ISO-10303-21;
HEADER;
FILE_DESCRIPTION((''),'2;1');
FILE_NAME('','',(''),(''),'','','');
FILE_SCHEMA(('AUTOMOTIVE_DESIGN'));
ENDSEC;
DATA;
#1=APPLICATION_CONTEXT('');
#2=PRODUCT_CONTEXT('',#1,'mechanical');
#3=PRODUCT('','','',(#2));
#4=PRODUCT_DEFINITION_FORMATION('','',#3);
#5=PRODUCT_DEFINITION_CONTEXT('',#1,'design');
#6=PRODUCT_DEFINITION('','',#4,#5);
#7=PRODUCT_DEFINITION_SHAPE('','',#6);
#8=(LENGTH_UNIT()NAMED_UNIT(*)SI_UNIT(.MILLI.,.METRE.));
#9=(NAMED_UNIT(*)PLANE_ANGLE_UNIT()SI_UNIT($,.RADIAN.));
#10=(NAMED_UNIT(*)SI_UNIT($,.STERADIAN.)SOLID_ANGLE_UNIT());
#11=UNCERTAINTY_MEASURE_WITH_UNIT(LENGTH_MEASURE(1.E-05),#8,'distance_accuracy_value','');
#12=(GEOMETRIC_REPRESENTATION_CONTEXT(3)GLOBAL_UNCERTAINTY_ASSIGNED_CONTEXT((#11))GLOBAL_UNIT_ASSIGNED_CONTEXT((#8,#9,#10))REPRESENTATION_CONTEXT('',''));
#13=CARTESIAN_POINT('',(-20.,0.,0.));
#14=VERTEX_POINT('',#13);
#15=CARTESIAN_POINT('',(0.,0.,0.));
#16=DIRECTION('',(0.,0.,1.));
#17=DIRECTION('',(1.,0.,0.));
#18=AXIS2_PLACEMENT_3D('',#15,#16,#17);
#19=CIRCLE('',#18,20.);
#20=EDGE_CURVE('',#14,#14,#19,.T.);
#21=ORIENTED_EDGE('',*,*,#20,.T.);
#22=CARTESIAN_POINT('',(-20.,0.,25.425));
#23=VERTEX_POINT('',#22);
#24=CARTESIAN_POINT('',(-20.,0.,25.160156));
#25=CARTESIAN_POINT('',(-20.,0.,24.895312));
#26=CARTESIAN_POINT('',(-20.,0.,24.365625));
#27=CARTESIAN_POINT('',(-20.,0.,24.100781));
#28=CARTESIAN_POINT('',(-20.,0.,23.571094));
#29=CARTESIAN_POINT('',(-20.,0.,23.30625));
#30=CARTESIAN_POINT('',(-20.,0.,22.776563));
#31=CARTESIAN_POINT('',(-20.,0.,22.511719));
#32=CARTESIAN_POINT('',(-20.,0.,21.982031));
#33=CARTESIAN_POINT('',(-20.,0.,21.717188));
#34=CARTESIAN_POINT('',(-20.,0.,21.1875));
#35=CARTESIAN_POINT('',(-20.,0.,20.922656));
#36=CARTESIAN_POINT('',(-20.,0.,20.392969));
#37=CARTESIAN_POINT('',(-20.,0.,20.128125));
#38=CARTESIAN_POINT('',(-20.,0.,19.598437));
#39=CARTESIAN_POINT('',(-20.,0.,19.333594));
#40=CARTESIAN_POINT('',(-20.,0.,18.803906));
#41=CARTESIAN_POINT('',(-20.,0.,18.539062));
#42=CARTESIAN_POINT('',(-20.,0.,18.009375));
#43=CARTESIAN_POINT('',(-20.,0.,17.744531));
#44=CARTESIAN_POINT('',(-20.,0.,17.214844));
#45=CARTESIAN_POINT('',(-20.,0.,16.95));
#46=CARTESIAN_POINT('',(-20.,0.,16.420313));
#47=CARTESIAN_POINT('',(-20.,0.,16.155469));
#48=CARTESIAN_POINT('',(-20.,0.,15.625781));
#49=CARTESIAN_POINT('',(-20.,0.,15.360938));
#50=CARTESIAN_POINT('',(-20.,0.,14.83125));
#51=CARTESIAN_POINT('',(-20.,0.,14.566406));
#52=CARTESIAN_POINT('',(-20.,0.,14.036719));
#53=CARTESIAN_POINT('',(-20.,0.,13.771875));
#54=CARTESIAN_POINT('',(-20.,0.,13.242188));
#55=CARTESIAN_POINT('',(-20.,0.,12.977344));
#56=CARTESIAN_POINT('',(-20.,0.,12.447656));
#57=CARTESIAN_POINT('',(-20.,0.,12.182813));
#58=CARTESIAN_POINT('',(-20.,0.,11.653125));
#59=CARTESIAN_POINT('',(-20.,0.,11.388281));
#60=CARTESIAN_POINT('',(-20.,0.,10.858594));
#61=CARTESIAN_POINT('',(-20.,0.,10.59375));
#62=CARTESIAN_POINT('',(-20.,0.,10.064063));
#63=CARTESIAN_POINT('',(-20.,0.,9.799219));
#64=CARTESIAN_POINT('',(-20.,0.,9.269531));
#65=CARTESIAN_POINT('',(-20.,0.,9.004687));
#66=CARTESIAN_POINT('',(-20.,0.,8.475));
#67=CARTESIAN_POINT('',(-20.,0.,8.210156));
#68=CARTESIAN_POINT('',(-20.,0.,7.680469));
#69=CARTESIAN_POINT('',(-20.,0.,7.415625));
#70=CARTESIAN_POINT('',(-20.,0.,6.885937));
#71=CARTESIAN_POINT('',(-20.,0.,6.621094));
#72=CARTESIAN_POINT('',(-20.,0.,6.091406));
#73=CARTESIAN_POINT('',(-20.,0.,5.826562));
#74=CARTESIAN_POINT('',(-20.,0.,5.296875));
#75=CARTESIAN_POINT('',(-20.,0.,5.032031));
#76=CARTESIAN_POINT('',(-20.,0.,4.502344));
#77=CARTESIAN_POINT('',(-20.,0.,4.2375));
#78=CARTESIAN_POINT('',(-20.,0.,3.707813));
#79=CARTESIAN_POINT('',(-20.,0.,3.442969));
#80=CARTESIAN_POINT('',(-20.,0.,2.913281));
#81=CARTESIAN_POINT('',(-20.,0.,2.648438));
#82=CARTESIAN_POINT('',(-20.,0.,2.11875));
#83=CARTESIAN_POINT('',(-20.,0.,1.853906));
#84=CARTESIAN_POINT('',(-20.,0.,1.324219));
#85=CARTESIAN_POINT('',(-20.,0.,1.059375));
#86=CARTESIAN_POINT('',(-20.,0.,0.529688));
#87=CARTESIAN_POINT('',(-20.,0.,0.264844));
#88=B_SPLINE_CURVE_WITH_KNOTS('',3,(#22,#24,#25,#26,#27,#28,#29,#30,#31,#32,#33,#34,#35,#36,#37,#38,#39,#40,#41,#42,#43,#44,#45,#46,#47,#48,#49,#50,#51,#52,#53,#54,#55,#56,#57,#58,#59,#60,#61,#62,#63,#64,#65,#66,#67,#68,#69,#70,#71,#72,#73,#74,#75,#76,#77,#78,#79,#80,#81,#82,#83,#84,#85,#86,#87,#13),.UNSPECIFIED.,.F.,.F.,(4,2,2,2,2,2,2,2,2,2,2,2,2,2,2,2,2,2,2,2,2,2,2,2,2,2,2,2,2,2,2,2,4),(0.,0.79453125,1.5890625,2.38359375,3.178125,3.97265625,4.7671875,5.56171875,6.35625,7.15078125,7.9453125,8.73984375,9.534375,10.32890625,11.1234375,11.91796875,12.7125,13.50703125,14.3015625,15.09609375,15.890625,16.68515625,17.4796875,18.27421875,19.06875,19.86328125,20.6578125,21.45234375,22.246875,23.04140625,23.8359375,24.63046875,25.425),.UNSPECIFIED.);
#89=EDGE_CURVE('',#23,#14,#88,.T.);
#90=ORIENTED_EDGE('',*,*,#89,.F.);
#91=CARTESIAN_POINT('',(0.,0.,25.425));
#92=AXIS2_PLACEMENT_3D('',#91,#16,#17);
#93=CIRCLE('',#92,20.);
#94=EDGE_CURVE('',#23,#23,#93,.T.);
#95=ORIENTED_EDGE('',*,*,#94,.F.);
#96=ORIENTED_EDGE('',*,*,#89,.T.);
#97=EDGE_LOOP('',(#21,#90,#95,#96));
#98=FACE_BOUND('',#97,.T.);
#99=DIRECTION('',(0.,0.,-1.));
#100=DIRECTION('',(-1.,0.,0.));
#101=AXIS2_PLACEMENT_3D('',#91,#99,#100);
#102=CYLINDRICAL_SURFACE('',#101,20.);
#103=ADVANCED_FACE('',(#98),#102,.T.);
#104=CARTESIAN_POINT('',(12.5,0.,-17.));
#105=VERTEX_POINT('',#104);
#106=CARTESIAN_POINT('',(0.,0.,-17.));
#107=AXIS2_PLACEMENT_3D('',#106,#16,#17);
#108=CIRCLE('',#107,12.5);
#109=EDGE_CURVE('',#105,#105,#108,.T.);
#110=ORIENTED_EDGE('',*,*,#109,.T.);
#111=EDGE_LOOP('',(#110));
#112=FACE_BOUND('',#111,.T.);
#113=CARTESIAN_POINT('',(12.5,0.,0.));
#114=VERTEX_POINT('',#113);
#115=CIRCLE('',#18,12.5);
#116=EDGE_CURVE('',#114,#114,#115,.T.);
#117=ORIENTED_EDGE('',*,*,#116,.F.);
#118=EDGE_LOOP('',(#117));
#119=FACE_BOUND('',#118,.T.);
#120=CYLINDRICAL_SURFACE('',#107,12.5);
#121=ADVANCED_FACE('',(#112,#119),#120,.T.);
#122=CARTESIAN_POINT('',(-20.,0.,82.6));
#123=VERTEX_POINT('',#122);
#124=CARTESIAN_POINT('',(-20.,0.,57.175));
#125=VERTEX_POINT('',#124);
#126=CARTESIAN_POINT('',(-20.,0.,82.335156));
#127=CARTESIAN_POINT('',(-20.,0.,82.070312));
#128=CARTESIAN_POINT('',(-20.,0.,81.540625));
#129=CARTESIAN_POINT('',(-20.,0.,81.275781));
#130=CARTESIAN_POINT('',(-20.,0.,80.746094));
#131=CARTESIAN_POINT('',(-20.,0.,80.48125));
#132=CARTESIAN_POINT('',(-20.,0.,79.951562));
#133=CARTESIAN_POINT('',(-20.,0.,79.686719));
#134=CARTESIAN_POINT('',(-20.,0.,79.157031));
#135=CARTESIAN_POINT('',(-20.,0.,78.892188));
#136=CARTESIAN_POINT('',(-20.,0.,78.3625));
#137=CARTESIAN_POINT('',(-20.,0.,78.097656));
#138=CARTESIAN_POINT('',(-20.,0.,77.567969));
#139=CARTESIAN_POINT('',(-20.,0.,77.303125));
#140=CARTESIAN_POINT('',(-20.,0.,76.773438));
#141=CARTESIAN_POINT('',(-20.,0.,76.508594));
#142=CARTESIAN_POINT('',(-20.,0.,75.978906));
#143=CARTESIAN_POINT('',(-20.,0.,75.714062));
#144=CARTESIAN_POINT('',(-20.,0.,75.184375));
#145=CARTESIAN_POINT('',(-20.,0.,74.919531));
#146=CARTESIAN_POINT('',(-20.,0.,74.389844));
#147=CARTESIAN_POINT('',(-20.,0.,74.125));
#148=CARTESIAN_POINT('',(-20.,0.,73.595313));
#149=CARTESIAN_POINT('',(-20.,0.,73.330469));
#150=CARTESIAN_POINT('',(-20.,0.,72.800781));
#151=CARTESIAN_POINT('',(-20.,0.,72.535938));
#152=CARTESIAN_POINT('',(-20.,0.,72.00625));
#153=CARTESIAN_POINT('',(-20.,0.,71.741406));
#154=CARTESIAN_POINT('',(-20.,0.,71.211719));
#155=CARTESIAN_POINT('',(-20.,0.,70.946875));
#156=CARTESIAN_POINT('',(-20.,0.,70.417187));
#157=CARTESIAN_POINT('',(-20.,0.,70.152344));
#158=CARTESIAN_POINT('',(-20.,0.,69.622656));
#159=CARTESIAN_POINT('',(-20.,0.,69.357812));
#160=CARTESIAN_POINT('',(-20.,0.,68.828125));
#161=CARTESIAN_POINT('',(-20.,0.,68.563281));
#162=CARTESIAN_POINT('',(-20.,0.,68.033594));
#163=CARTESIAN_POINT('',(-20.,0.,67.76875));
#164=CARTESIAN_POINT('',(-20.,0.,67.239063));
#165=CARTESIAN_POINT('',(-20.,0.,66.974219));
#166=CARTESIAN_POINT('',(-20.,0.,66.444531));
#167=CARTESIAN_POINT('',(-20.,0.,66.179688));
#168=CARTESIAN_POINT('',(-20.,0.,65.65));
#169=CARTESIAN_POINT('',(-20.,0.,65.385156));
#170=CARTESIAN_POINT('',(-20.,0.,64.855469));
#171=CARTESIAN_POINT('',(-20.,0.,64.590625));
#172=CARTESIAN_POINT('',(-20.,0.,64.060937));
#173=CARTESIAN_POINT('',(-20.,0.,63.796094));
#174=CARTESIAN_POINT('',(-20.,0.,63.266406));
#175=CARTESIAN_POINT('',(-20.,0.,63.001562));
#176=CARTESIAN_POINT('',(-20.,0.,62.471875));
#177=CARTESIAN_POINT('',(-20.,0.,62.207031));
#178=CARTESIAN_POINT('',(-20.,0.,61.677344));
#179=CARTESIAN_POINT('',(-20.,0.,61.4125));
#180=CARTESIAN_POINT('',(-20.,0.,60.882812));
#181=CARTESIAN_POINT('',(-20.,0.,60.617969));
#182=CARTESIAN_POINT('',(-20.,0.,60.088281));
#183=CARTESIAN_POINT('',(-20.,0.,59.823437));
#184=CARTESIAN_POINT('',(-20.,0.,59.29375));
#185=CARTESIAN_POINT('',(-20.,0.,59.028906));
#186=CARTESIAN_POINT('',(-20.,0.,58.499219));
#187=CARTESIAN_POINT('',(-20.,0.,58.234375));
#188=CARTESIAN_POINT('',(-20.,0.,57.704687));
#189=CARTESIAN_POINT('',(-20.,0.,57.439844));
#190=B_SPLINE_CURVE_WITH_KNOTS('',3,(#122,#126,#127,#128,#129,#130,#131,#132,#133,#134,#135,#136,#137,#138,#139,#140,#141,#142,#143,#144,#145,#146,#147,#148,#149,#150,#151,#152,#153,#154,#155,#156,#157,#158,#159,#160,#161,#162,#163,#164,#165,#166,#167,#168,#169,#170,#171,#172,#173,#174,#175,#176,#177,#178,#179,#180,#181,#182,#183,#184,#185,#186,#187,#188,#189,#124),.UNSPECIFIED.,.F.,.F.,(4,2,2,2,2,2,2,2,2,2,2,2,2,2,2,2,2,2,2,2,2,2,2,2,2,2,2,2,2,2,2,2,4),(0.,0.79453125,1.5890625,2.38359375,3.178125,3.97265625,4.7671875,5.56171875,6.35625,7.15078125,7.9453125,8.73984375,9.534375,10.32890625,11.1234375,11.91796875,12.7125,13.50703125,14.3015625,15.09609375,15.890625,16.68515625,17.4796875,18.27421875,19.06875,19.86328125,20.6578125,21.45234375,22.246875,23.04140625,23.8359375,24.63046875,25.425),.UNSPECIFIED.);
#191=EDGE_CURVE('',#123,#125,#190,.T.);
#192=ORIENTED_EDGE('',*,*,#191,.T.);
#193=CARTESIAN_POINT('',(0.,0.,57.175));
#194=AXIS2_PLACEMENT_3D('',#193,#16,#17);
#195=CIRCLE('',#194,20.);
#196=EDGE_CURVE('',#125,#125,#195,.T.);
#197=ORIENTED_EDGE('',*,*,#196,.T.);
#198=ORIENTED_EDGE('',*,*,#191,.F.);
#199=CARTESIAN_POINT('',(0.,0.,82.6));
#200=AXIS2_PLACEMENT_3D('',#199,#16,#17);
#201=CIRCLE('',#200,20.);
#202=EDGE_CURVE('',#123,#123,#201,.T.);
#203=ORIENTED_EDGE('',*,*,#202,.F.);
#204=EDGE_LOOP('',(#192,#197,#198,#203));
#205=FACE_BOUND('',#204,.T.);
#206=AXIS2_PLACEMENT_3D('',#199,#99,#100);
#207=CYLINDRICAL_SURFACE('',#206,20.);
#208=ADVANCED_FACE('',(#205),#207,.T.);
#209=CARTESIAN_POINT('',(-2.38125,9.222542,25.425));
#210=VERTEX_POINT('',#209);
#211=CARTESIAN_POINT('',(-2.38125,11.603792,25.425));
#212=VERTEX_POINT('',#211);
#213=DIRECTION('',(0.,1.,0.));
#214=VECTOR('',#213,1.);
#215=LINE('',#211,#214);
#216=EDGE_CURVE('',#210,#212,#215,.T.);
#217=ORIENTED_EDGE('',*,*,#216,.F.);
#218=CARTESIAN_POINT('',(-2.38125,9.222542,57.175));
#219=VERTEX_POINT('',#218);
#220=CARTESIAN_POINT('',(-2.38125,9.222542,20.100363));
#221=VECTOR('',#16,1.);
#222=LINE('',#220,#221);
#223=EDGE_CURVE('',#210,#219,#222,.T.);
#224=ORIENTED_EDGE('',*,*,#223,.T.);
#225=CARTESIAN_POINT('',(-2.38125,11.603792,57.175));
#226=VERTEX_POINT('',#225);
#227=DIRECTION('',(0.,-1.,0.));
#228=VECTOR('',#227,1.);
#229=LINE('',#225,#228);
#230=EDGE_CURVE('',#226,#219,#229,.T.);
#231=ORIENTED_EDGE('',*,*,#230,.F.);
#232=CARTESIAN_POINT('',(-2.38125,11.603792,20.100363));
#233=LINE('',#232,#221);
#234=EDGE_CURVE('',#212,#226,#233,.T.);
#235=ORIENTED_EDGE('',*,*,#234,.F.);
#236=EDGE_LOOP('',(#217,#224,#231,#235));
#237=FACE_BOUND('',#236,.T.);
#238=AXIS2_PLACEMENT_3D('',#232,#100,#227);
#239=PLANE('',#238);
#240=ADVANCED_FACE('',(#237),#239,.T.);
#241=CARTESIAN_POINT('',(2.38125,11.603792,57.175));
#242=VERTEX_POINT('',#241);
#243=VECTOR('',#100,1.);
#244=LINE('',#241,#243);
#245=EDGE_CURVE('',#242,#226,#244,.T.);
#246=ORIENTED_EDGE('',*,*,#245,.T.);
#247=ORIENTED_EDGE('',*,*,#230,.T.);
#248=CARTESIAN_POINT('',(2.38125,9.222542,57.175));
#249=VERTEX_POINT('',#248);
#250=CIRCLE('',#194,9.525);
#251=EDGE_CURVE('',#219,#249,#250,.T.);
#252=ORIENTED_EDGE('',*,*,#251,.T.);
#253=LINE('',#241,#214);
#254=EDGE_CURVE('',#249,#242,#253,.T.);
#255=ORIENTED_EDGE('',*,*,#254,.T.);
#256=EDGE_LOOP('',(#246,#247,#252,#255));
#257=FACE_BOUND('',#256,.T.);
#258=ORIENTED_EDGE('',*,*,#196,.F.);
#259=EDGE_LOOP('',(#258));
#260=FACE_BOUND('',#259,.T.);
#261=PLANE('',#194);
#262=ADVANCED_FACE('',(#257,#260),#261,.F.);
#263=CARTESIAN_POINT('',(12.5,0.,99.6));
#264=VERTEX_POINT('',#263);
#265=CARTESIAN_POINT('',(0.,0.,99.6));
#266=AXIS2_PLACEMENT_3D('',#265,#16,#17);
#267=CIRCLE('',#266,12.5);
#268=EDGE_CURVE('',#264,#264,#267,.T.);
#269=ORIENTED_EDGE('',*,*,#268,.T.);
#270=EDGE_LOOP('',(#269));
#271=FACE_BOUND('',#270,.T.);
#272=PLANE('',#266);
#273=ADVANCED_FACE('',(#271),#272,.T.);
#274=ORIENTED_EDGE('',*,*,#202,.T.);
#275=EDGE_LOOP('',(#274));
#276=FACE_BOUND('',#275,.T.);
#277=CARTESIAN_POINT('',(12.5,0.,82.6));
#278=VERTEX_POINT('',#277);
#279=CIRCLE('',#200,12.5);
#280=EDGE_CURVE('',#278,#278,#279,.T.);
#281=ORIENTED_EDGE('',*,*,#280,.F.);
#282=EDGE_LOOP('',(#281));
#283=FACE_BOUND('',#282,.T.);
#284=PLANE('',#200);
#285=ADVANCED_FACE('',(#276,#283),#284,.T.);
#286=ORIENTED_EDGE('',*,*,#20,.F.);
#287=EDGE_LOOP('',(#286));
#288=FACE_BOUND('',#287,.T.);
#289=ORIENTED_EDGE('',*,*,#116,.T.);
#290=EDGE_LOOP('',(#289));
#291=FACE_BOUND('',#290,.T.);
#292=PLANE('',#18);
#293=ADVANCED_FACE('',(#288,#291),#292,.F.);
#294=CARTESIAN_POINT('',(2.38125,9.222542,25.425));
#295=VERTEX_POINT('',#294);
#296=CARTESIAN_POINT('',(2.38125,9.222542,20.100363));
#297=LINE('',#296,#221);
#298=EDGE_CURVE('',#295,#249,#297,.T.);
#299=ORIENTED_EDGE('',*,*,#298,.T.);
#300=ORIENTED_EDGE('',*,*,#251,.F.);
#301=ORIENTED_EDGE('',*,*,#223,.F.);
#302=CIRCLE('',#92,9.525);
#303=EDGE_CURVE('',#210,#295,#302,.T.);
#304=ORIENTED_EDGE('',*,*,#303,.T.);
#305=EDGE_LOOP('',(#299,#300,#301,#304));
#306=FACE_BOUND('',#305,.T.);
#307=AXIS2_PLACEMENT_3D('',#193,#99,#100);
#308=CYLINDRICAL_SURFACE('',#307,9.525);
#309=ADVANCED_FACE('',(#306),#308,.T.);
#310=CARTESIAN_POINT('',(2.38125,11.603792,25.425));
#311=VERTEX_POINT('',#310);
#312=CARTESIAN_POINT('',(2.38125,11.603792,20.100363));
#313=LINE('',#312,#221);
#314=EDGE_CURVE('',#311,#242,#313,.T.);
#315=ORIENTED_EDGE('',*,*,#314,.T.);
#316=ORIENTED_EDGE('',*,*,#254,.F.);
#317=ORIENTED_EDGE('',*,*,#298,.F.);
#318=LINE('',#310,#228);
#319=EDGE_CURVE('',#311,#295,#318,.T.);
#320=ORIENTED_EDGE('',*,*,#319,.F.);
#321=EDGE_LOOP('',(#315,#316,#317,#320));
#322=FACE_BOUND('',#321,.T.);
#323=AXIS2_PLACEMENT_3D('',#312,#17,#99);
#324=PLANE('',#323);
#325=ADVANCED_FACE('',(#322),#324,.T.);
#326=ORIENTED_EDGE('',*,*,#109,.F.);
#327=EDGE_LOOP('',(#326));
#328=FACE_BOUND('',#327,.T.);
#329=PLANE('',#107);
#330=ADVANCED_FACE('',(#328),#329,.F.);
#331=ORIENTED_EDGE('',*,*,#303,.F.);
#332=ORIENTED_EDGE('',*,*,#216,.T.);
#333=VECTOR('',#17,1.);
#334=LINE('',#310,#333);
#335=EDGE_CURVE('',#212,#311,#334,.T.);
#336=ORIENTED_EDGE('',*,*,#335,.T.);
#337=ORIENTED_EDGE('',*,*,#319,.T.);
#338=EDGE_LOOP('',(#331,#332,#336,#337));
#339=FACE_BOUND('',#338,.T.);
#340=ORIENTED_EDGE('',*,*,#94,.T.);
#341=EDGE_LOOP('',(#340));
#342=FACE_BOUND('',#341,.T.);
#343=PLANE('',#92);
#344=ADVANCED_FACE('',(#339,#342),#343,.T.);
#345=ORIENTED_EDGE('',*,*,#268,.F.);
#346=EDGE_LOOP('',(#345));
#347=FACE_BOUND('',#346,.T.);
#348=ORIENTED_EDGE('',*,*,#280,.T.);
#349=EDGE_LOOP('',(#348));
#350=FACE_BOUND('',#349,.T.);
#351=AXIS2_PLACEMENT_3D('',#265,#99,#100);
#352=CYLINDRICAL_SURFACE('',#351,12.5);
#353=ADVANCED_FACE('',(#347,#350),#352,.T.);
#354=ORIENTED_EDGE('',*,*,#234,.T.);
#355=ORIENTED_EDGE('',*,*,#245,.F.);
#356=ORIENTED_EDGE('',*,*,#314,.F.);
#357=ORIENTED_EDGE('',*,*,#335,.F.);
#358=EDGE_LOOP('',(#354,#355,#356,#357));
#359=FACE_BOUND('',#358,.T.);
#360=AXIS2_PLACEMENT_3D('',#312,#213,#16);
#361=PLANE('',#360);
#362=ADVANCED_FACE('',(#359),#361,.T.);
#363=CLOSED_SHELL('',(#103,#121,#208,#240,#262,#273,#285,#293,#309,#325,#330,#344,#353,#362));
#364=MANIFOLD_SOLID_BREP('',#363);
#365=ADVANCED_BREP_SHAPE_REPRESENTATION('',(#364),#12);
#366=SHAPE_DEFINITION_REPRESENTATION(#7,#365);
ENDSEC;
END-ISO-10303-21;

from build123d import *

# Parameters (mm, degrees)
SKETCH1_R           = 12.5
BOSS_EXTRUDE1_DEPTH = 17
SKETCH2_R           = 20
BOSS_EXTRUDE2_DEPTH = 25.425
SKETCH3_R           = 9.525
BOSS_EXTRUDE3_DEPTH = 31.75
SKETCH9_W           = 4.7625
SKETCH9_H           = 2.38125
BOSS_EXTRUDE6_DEPTH = 31.75
SKETCH4_R           = 20
BOSS_EXTRUDE4_DEPTH = 25.425
BOSS_EXTRUDE5_START = 17
SKETCH5_R           = 12.5
BOSS_EXTRUDE5_DEPTH = 17


with BuildPart() as part:
    # Sketch1 → Boss-Extrude1 (new body)
    with BuildSketch(Plane.XY):
        Circle(SKETCH1_R)
    extrude(amount=-BOSS_EXTRUDE1_DEPTH)

    # Sketch2 → Boss-Extrude2 (add)
    with BuildSketch(Plane.XY):
        with Locations(Location((0, 0, 0), (0, 0, 180))):
            Circle(SKETCH2_R)
    extrude(amount=BOSS_EXTRUDE2_DEPTH)

    # Sketch3 → Boss-Extrude3 (add)
    with BuildSketch(Plane.XY.offset(25.425)):
        Circle(SKETCH3_R)
    extrude(amount=BOSS_EXTRUDE3_DEPTH)

    # Sketch9 → Boss-Extrude6 (add)
    with BuildSketch(Plane.XY.offset(57.175)):
        with Locations((0, 10.413166593)):
            Rectangle(SKETCH9_W, SKETCH9_H)
    extrude(amount=-BOSS_EXTRUDE6_DEPTH)

    # Sketch4 → Boss-Extrude4 (add)
    with BuildSketch(Plane.XY.offset(57.175)):
        with Locations(Location((0, 0, 0), (0, 0, 180))):
            Circle(SKETCH4_R)
    extrude(amount=BOSS_EXTRUDE4_DEPTH)

    # Sketch5 → Boss-Extrude5 (add)
    with BuildSketch(Plane.XY.offset(82.6).offset(BOSS_EXTRUDE5_START)):
        Circle(SKETCH5_R)
    extrude(amount=-BOSS_EXTRUDE5_DEPTH)


solid = part.part
